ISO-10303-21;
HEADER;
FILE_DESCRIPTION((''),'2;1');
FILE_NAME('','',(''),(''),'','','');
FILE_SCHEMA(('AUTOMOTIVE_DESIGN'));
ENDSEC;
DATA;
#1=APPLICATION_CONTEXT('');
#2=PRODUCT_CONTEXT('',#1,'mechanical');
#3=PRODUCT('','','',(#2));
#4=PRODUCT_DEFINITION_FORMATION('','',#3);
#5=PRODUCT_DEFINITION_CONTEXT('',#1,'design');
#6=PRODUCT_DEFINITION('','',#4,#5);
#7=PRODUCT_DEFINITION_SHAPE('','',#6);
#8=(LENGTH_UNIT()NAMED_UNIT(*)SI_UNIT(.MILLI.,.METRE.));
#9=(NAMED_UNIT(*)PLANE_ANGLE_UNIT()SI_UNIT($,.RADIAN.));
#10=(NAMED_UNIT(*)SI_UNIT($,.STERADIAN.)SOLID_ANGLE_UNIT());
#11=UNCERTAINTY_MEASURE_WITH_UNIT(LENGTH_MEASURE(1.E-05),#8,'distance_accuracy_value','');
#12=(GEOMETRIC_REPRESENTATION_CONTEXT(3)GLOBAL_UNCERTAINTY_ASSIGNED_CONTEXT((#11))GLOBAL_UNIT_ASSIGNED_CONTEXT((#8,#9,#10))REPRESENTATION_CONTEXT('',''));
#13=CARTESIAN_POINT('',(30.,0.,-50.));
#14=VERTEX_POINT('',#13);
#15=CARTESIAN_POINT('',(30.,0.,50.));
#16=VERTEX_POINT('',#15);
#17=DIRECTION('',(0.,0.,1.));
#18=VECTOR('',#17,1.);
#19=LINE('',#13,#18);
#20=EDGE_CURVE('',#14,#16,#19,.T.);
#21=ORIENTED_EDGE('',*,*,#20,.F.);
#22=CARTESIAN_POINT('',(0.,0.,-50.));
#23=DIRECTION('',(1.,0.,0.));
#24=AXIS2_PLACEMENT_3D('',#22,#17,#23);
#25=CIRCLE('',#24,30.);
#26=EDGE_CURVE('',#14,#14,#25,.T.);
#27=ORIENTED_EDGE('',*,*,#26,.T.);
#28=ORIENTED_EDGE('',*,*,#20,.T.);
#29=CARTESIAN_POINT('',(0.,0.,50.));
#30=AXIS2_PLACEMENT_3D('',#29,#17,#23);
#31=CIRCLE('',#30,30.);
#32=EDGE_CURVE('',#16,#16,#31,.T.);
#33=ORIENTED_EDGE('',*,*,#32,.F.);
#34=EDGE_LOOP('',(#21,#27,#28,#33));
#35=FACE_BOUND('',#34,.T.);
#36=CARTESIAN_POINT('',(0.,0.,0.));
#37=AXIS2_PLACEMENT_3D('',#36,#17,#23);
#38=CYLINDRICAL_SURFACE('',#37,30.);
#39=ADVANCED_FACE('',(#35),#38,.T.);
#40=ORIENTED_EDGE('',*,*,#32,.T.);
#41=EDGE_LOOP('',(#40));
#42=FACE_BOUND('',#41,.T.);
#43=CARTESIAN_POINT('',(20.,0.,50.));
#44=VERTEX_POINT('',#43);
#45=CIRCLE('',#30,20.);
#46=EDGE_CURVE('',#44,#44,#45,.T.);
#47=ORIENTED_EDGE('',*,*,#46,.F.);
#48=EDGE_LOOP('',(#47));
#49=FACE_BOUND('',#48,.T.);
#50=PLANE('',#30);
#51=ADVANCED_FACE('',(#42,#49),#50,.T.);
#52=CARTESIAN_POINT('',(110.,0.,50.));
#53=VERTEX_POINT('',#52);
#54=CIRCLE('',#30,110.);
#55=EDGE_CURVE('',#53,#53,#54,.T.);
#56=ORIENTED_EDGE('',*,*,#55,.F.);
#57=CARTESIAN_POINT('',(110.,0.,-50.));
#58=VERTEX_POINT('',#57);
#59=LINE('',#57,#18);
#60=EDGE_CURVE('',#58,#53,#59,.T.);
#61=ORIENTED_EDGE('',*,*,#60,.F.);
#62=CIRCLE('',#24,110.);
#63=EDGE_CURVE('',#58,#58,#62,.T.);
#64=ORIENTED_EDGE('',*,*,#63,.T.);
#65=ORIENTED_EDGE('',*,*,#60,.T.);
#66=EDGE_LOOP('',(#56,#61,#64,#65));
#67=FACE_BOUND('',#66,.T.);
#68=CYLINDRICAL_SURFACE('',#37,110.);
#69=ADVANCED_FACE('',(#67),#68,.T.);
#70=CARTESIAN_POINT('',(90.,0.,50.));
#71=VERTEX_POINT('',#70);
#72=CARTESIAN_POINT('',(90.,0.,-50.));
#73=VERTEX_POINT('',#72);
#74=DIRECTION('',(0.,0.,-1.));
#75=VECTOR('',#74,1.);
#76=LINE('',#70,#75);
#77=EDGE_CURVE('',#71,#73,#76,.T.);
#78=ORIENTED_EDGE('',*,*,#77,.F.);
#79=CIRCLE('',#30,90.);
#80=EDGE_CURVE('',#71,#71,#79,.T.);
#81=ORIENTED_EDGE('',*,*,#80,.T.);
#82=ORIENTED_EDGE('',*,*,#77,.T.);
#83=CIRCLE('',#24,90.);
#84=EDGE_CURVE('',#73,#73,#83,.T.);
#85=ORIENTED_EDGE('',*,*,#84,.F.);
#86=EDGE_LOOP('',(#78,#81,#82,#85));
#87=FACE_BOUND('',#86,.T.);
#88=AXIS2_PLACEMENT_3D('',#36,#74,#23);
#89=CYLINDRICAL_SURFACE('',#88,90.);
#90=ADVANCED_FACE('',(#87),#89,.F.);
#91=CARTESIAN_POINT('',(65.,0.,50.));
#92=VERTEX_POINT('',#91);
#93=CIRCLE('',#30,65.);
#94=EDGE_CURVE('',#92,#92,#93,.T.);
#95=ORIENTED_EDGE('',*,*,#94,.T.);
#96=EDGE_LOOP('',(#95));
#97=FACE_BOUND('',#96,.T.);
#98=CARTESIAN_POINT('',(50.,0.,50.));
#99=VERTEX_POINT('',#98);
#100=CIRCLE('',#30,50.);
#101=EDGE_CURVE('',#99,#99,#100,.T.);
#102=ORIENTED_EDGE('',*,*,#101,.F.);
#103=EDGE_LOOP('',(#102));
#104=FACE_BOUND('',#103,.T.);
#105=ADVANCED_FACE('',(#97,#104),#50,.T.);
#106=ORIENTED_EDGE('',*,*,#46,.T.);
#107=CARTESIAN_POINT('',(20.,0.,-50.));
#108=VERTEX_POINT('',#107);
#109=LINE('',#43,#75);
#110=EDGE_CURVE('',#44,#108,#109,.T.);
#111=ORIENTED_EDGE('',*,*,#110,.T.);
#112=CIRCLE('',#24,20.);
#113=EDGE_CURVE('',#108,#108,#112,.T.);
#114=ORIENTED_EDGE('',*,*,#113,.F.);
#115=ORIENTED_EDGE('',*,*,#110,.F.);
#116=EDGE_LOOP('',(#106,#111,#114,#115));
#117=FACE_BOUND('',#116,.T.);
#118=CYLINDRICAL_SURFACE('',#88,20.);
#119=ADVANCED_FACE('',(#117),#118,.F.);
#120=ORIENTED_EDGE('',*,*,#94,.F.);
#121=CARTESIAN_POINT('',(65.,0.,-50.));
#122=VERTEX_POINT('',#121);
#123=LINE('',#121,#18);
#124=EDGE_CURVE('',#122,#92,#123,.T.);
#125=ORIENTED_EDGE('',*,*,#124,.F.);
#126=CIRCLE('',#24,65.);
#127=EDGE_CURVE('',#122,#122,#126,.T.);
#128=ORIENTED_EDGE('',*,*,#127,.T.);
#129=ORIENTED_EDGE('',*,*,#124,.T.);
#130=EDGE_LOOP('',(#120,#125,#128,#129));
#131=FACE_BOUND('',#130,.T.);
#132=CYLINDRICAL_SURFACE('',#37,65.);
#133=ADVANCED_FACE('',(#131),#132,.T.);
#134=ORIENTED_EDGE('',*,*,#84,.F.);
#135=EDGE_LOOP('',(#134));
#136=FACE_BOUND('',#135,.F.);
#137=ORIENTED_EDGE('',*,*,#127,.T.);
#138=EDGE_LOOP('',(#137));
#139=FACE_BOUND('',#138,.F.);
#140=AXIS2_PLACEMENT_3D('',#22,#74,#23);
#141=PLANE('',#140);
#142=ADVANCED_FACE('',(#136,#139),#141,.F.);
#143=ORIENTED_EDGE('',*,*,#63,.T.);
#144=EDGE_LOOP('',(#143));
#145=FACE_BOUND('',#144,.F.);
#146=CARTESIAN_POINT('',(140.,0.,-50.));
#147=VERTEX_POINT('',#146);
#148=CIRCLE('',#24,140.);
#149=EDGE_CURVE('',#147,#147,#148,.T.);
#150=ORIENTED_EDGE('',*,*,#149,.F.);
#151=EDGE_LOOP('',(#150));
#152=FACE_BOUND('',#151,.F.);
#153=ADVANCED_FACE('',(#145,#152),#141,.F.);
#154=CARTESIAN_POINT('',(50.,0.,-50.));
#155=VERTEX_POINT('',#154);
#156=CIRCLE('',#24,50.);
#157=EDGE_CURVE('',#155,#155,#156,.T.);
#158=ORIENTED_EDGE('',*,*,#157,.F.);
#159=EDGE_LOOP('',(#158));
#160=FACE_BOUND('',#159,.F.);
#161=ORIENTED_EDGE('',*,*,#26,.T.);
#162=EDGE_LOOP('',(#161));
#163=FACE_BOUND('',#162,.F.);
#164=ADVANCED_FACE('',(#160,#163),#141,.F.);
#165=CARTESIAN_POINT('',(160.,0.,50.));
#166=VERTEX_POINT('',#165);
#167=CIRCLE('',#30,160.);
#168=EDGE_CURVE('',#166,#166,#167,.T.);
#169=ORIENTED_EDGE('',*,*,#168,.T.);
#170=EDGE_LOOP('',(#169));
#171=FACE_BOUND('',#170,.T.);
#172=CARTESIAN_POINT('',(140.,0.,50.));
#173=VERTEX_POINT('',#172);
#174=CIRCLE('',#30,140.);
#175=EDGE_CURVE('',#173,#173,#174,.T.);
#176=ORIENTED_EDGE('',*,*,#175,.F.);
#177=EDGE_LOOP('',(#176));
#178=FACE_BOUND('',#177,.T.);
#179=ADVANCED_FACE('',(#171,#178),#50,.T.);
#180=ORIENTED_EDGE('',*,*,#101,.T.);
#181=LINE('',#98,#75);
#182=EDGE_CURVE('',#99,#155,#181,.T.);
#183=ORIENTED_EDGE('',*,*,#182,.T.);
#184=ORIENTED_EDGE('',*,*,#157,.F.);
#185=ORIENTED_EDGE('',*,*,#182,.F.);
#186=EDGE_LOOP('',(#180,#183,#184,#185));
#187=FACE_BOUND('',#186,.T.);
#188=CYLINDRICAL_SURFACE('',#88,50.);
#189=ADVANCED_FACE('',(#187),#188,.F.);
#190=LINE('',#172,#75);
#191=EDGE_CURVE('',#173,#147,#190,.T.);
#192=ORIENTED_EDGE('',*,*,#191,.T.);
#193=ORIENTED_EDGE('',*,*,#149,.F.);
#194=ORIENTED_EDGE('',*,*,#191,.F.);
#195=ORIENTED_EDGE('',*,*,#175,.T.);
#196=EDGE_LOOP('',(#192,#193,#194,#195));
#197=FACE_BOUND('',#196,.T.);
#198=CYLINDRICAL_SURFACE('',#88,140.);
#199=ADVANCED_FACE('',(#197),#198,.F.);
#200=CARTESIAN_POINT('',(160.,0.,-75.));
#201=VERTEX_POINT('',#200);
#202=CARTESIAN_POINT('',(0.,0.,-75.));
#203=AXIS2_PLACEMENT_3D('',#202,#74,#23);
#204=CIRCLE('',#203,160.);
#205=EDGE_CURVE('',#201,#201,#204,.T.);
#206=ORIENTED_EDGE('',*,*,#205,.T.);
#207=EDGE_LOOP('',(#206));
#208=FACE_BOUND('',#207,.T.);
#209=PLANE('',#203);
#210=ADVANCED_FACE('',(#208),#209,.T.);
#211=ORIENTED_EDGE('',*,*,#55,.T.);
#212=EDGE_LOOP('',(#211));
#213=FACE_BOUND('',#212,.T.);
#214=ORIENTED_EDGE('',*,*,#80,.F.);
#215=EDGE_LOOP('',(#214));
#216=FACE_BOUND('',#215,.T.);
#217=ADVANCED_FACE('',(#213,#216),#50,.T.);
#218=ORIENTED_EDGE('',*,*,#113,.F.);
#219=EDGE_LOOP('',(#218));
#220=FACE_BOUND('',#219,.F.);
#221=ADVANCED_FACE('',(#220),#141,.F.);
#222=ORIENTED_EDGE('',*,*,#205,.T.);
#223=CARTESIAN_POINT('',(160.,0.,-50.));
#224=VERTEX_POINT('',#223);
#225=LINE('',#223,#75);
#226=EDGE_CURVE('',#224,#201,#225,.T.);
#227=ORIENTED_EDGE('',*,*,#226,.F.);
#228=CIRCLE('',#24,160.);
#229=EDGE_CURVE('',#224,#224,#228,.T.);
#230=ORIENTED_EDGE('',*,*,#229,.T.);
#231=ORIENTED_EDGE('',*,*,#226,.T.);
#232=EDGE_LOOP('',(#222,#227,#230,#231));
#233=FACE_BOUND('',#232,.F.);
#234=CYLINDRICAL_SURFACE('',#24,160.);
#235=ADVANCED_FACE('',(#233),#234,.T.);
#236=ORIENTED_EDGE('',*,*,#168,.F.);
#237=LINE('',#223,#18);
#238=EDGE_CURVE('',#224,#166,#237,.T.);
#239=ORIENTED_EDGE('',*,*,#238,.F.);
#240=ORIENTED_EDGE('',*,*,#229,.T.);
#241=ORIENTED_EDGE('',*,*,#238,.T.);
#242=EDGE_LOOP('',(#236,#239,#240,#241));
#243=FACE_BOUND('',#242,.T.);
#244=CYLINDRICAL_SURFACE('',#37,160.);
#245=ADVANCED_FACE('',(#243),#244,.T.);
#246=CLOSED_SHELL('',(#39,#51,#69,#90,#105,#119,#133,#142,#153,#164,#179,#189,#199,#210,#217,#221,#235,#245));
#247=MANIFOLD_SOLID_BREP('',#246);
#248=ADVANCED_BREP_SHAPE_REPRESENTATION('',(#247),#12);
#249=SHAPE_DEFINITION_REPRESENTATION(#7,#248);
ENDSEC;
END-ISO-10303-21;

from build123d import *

# Parameters (mm, degrees)
F0_R     = 160
F0_R_2   = 140
F1_DEPTH = 50
F0_R_3   = 65
F0_R_4   = 50
F0_R_5   = 30
F0_R_6   = 20
F0_R_7   = 110
F0_R_8   = 90
F3_R     = 160
F4_DEPTH = 25


with BuildPart() as f1:
    # F0 (on Top) → F1 (new body, symmetric)
    with BuildSketch(Plane.XY):
        Circle(F0_R)
        Circle(F0_R_2, mode=Mode.SUBTRACT)
    extrude(amount=F1_DEPTH, both=True)



with BuildPart() as f1b:
    # F0 (on Top) → F1, piece 2 (new body, symmetric)
    with BuildSketch(Plane.XY):
        Circle(F0_R_3)
        Circle(F0_R_4, mode=Mode.SUBTRACT)
    extrude(amount=F1_DEPTH, both=True)


with BuildPart() as f1c:
    # F0 (on Top) → F1, piece 3 (new body, symmetric)
    with BuildSketch(Plane.XY):
        Circle(F0_R_5)
        Circle(F0_R_6, mode=Mode.SUBTRACT)
    extrude(amount=F1_DEPTH, both=True)


with BuildPart() as f1d:
    # F0 (on Top) → F1, piece 4 (new body, symmetric)
    with BuildSketch(Plane.XY):
        Circle(F0_R_7)
        Circle(F0_R_8, mode=Mode.SUBTRACT)
    extrude(amount=F1_DEPTH, both=True)


with BuildPart() as f1_1:
    add(f1.part)

    add(f1b.part)  # F4 merges F1b

    add(f1c.part)  # F4 merges F1c

    add(f1d.part)  # F4 merges F1d
    # F3 (on face) → F4 (join)
    with BuildSketch(Plane(origin=(0, 0, -50), x_dir=(1, 0, 0), z_dir=(0, 0, -1))):
        Circle(F3_R)
    extrude(amount=F4_DEPTH)


solid = f1_1.part
